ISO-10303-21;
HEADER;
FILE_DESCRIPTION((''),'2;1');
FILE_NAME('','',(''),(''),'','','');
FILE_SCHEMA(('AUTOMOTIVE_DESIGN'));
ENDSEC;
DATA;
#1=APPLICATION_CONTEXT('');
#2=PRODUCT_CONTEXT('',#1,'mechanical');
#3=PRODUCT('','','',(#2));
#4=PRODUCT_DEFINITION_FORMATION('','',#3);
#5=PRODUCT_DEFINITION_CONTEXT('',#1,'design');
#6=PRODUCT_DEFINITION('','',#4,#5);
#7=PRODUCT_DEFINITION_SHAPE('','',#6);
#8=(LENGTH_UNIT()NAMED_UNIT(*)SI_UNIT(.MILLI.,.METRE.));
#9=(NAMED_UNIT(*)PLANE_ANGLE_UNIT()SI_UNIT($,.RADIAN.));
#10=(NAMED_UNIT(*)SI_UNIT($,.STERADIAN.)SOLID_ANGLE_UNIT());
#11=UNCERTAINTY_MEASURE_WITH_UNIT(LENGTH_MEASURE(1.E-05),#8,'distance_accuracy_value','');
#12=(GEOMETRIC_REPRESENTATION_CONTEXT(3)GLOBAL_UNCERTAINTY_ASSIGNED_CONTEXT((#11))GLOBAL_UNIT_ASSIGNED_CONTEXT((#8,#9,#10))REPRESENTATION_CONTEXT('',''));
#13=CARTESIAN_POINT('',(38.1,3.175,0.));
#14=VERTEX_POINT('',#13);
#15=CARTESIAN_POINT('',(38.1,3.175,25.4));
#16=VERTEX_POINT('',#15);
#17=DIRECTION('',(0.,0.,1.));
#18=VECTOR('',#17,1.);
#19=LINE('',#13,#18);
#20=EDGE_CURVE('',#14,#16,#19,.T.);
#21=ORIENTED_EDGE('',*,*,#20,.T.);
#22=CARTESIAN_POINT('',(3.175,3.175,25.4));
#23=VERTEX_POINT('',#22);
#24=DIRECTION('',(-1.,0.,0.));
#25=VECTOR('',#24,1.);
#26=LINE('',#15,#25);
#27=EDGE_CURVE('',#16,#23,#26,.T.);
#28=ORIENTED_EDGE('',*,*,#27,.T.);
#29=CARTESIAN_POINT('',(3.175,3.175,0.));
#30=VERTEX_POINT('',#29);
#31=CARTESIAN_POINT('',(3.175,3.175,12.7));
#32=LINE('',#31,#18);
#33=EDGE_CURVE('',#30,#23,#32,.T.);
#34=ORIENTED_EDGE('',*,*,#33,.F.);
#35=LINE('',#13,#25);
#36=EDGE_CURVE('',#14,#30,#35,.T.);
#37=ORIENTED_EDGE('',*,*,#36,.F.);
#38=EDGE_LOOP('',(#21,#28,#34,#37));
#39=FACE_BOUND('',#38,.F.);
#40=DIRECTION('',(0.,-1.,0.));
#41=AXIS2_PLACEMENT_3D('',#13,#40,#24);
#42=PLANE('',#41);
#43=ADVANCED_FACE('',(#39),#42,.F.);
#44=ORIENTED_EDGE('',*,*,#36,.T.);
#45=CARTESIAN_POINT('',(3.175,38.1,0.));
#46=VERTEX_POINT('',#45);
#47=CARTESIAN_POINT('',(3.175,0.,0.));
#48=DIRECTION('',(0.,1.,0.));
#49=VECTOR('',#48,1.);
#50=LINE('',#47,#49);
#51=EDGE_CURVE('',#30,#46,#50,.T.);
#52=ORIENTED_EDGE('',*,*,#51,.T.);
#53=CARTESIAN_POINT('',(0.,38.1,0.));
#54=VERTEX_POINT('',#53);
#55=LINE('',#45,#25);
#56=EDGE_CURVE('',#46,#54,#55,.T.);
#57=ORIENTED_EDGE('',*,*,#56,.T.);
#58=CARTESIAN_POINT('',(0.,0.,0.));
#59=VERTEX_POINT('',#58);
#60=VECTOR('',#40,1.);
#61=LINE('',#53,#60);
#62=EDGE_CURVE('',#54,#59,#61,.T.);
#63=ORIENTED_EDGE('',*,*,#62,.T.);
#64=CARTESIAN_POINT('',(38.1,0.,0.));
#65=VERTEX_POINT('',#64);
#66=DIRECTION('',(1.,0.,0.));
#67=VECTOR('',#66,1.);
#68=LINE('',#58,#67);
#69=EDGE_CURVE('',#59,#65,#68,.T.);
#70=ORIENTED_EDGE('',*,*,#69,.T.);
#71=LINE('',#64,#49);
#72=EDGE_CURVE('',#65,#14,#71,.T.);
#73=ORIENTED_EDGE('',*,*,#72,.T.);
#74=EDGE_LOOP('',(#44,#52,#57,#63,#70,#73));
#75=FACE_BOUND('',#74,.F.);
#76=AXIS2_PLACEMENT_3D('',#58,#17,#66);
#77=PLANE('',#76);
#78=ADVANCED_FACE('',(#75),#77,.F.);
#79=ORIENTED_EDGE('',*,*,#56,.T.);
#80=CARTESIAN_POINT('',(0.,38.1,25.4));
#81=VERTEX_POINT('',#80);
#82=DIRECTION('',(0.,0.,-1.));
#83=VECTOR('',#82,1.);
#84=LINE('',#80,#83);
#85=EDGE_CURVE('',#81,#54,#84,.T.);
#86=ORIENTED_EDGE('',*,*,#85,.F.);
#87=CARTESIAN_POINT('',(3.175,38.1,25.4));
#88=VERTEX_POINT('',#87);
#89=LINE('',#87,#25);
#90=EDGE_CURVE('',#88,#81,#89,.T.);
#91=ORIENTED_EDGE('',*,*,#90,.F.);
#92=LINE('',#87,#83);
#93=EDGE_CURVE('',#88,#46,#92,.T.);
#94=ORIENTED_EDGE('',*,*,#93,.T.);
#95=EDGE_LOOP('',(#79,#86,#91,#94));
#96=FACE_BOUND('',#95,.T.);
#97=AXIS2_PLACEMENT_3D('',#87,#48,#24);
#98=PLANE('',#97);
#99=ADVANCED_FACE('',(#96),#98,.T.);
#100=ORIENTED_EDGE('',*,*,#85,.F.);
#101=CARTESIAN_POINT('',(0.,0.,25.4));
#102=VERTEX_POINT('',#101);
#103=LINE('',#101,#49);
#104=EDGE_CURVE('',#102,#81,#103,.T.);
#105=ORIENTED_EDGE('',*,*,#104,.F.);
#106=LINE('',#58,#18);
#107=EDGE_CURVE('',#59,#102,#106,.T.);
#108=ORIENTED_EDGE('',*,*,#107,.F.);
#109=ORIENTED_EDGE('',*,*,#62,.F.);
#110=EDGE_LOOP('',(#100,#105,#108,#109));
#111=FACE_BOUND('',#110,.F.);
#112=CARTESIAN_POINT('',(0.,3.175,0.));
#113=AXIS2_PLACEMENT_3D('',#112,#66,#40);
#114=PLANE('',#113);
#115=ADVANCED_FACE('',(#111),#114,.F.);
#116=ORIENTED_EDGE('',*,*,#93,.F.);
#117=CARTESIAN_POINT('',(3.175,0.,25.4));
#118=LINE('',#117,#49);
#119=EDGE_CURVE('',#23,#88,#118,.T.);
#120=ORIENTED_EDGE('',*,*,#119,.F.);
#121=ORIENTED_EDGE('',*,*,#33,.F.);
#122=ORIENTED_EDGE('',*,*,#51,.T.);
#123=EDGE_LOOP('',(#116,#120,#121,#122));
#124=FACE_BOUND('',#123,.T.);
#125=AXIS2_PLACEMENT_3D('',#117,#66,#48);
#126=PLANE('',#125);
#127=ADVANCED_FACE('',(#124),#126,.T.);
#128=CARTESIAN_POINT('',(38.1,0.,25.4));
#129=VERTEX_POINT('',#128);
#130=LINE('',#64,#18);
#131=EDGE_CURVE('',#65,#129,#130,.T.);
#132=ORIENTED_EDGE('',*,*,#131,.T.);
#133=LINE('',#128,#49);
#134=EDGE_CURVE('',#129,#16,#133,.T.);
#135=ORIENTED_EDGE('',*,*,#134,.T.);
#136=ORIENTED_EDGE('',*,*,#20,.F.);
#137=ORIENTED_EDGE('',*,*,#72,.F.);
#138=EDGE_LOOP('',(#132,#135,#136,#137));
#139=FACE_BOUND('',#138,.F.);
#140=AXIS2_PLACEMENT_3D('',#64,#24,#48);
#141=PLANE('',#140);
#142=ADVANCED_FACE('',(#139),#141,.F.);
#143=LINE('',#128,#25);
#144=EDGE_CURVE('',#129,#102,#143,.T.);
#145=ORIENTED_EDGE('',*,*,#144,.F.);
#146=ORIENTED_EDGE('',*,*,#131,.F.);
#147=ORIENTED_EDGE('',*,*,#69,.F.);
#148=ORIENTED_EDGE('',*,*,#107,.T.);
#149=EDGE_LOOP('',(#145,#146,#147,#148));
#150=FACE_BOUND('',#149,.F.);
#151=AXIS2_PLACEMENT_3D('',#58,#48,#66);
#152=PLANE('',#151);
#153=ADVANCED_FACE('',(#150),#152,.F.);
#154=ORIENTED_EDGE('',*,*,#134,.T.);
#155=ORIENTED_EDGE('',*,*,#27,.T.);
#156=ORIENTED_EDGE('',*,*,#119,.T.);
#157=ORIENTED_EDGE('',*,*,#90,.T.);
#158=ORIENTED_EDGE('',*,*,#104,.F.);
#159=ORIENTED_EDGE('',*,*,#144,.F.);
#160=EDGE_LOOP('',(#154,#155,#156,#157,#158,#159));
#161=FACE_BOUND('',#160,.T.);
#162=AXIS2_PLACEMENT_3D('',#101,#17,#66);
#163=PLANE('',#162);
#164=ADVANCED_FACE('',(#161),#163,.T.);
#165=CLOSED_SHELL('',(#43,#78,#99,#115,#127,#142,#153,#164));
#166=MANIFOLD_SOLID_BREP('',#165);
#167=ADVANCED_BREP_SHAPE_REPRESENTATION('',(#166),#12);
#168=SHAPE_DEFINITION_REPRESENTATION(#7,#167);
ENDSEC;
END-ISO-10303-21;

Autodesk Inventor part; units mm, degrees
ref_plane "YZ Plane" through (0, 0, 0) normal (1, 0, 0) x (0, 1, 0)
ref_plane "XZ Plane" through (0, 0, 0) normal (0, 1, 0) x (-1, 0, 0)
ref_plane "XY Plane" through (0, 0, 0) normal (0, 0, 1) x (1, 0, 0)
sketch "Sketch1" plane through (0, 0, 0) normal (0, 0, 1) x (1, 0, 0)
  line L0 (0, 0) -> (38.1, 0)
  line L1 (38.1, 0) -> (38.1, 3.175)
  line L2 (38.1, 3.175) -> (0, 3.175)
  line L3 (0, 3.175) -> (0, 0)
  dimension "d0" = 38.1
  dimension "d1" = 3.175
extrude "Extrusion1" add sketch "Sketch1" along normal blind 25.4
sketch "Sketch2" plane through (0, 0, 25.4) normal (0, 0, 1) x (1, 0, 0)
  line L0 (0, 0) -> (3.175, 0)
  line L1 (3.175, 0) -> (3.175, 38.1)
  line L2 (3.175, 38.1) -> (0, 38.1)
  line L3 (0, 38.1) -> (0, 0)
  dimension "d4" = 3.175
  dimension "d5" = 38.1
extrude "Extrusion2" add sketch "Sketch2" against normal blind 25.4
properties part number "14in L Mount"
